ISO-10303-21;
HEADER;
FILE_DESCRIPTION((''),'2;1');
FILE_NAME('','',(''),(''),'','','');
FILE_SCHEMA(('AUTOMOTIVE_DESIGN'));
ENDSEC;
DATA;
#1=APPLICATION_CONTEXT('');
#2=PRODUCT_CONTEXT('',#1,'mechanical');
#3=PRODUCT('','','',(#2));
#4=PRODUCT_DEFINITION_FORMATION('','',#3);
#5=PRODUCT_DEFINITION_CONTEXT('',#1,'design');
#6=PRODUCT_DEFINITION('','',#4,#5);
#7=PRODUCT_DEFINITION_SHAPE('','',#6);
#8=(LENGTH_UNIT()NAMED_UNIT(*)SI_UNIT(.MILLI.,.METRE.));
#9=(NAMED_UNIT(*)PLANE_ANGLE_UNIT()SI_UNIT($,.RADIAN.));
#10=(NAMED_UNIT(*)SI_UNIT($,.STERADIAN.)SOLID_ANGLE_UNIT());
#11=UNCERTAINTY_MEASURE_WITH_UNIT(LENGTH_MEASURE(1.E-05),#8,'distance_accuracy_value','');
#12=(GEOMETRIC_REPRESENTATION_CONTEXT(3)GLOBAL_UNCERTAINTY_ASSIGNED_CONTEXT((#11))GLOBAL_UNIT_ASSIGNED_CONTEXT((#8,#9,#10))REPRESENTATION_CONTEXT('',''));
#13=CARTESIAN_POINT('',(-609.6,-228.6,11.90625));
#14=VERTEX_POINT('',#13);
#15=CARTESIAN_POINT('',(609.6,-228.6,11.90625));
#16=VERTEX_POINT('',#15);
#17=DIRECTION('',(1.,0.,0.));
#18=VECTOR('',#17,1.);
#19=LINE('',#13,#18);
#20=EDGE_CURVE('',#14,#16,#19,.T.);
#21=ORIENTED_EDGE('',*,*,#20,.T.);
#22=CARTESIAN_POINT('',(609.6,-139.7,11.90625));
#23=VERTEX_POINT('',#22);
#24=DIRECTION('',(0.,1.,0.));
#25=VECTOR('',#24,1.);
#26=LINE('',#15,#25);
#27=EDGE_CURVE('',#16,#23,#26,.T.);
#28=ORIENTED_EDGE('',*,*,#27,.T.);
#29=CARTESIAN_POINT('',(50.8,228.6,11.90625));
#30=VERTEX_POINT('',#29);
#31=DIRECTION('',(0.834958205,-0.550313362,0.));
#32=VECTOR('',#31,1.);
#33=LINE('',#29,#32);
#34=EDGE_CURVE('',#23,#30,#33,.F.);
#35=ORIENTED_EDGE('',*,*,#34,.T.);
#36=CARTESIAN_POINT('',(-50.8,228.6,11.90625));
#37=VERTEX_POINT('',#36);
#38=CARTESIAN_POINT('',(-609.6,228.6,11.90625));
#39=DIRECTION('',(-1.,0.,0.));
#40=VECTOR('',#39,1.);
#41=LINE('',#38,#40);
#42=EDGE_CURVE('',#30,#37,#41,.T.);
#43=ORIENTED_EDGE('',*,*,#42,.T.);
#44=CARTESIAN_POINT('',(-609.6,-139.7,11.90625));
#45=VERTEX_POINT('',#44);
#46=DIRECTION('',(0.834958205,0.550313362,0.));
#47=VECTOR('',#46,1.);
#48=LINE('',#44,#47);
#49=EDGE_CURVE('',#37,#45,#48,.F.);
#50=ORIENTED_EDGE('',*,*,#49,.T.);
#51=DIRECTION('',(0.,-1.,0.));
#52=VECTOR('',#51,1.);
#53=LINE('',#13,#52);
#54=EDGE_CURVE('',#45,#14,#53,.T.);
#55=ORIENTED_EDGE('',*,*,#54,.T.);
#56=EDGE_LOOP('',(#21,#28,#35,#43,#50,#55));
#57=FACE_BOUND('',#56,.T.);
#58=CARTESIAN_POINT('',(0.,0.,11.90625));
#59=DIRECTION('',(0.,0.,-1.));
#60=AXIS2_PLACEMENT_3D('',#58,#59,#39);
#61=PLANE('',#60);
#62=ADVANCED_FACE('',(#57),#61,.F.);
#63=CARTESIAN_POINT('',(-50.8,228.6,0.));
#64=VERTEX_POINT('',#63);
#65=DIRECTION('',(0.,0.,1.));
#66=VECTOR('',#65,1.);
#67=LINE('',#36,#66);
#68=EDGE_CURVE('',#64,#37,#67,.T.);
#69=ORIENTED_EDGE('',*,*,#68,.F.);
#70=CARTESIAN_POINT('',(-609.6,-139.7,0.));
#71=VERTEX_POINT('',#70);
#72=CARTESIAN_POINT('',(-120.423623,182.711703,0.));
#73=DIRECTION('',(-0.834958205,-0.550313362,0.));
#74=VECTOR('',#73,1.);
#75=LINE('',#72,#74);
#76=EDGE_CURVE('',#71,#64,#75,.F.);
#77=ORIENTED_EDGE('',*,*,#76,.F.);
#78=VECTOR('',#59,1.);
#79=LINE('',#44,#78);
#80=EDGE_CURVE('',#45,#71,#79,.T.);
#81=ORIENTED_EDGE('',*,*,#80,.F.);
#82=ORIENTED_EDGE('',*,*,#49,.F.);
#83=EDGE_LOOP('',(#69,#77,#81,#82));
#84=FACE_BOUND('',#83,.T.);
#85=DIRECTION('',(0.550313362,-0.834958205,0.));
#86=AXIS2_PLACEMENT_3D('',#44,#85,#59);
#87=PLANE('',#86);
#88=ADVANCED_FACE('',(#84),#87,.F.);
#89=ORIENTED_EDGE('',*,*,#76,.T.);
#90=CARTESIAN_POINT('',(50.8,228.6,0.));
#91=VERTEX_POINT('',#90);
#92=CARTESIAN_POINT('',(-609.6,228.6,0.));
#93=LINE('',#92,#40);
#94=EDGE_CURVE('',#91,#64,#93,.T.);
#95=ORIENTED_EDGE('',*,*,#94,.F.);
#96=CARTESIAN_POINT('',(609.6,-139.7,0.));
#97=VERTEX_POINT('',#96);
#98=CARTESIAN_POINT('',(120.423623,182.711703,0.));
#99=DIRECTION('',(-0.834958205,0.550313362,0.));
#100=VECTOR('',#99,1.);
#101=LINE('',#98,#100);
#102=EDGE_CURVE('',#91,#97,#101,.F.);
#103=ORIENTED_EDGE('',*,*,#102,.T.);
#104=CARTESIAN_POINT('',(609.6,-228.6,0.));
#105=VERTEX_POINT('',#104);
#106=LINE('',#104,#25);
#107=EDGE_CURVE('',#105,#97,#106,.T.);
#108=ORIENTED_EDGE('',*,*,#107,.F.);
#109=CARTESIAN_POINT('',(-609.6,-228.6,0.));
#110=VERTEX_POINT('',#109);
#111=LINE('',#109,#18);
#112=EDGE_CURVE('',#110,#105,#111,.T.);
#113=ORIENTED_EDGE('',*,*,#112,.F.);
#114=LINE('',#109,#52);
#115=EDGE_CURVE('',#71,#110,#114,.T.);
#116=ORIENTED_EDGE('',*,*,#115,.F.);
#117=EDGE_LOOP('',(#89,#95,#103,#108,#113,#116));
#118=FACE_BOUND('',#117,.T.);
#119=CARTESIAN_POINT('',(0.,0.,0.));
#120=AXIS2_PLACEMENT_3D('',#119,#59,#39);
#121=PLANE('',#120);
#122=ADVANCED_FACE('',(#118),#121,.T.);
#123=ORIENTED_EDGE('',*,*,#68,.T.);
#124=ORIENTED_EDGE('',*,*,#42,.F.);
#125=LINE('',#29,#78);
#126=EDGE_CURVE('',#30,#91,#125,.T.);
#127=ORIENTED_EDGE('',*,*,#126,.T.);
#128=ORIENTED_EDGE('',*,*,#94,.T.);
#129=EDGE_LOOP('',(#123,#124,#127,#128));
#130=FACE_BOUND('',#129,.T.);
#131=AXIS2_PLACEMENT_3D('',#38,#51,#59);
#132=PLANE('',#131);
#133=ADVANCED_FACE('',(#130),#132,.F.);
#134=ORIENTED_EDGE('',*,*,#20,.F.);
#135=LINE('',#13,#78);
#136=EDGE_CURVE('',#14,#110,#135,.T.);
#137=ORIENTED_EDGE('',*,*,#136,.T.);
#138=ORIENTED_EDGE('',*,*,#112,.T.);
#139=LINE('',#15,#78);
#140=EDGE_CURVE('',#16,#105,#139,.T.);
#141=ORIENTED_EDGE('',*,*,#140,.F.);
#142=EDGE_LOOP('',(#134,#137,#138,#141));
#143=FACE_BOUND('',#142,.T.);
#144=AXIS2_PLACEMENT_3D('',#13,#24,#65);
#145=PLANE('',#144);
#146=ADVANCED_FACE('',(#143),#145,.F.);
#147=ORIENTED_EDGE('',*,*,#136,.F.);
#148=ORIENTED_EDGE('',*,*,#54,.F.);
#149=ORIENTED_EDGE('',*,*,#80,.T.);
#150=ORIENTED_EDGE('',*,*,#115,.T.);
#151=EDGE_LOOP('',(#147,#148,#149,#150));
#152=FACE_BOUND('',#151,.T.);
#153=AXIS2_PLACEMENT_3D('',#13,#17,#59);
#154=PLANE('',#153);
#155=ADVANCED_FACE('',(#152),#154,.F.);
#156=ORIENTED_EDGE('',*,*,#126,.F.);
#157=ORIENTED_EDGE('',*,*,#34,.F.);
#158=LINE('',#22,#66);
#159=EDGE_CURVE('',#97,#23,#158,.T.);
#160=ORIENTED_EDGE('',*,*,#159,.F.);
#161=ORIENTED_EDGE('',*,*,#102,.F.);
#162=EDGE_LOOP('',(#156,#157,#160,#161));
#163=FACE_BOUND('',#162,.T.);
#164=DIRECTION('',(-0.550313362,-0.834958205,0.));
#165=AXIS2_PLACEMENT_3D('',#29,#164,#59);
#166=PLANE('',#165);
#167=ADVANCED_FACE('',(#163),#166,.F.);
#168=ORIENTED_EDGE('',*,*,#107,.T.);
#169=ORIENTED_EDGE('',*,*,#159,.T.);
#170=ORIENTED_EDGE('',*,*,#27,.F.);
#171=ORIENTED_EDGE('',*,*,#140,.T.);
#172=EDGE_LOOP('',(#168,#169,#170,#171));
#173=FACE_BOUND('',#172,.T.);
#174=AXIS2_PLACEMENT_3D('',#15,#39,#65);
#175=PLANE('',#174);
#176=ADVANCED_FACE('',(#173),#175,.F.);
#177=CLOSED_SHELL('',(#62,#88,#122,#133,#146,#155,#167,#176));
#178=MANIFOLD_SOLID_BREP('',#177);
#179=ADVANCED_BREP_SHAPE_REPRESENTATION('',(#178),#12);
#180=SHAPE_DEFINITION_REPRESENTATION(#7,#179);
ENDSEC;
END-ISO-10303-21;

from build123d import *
from OCP.BRepFilletAPI import BRepFilletAPI_MakeChamfer

# Parameters (mm, degrees)
SKETCH1_W           = 1219.2
SKETCH1_H           = 457.2
BOSS_EXTRUDE1_DEPTH = 11.90625
CHAMFER1_SIZE       = 368.3
CHAMFER1_SIZE2      = 558.8


with BuildPart() as part:
    # Sketch1 → Boss-Extrude1 (new body)
    with BuildSketch(Plane.XY):
        Rectangle(SKETCH1_W, SKETCH1_H)
    extrude(amount=BOSS_EXTRUDE1_DEPTH)

    # Chamfer1: one chamfer whose edges measure the first distance from different faces: ONE call of the kernel's chamfer builder (chamfer() names one face for all edges)
    chamfer1_edges_1 = [part.edges().sort_by_distance(p)[0] for p in [
        (-609.6, 228.6, 5.953125),
    ]]
    chamfer1_side_1 = [part.faces().sort_by_distance(p)[0] for p in [
        (-609.6, 0, 5.953125),
    ]]
    chamfer1_edges_2 = [part.edges().sort_by_distance(p)[0] for p in [
        (609.6, 228.6, 5.953125),
    ]]
    chamfer1_side_2 = [part.faces().sort_by_distance(p)[0] for p in [
        (609.6, 0, 5.953125),
    ]]
    chamfer1 = BRepFilletAPI_MakeChamfer(part.part.solid().wrapped)
    for e in chamfer1_edges_1:
        chamfer1.Add(CHAMFER1_SIZE, CHAMFER1_SIZE2, e.wrapped, chamfer1_side_1[0].wrapped)  # the first distance lies on this face
    for e in chamfer1_edges_2:
        chamfer1.Add(CHAMFER1_SIZE, CHAMFER1_SIZE2, e.wrapped, chamfer1_side_2[0].wrapped)  # the first distance lies on this face
    add(Compound.cast(chamfer1.Shape()), mode=Mode.REPLACE)


solid = part.part
